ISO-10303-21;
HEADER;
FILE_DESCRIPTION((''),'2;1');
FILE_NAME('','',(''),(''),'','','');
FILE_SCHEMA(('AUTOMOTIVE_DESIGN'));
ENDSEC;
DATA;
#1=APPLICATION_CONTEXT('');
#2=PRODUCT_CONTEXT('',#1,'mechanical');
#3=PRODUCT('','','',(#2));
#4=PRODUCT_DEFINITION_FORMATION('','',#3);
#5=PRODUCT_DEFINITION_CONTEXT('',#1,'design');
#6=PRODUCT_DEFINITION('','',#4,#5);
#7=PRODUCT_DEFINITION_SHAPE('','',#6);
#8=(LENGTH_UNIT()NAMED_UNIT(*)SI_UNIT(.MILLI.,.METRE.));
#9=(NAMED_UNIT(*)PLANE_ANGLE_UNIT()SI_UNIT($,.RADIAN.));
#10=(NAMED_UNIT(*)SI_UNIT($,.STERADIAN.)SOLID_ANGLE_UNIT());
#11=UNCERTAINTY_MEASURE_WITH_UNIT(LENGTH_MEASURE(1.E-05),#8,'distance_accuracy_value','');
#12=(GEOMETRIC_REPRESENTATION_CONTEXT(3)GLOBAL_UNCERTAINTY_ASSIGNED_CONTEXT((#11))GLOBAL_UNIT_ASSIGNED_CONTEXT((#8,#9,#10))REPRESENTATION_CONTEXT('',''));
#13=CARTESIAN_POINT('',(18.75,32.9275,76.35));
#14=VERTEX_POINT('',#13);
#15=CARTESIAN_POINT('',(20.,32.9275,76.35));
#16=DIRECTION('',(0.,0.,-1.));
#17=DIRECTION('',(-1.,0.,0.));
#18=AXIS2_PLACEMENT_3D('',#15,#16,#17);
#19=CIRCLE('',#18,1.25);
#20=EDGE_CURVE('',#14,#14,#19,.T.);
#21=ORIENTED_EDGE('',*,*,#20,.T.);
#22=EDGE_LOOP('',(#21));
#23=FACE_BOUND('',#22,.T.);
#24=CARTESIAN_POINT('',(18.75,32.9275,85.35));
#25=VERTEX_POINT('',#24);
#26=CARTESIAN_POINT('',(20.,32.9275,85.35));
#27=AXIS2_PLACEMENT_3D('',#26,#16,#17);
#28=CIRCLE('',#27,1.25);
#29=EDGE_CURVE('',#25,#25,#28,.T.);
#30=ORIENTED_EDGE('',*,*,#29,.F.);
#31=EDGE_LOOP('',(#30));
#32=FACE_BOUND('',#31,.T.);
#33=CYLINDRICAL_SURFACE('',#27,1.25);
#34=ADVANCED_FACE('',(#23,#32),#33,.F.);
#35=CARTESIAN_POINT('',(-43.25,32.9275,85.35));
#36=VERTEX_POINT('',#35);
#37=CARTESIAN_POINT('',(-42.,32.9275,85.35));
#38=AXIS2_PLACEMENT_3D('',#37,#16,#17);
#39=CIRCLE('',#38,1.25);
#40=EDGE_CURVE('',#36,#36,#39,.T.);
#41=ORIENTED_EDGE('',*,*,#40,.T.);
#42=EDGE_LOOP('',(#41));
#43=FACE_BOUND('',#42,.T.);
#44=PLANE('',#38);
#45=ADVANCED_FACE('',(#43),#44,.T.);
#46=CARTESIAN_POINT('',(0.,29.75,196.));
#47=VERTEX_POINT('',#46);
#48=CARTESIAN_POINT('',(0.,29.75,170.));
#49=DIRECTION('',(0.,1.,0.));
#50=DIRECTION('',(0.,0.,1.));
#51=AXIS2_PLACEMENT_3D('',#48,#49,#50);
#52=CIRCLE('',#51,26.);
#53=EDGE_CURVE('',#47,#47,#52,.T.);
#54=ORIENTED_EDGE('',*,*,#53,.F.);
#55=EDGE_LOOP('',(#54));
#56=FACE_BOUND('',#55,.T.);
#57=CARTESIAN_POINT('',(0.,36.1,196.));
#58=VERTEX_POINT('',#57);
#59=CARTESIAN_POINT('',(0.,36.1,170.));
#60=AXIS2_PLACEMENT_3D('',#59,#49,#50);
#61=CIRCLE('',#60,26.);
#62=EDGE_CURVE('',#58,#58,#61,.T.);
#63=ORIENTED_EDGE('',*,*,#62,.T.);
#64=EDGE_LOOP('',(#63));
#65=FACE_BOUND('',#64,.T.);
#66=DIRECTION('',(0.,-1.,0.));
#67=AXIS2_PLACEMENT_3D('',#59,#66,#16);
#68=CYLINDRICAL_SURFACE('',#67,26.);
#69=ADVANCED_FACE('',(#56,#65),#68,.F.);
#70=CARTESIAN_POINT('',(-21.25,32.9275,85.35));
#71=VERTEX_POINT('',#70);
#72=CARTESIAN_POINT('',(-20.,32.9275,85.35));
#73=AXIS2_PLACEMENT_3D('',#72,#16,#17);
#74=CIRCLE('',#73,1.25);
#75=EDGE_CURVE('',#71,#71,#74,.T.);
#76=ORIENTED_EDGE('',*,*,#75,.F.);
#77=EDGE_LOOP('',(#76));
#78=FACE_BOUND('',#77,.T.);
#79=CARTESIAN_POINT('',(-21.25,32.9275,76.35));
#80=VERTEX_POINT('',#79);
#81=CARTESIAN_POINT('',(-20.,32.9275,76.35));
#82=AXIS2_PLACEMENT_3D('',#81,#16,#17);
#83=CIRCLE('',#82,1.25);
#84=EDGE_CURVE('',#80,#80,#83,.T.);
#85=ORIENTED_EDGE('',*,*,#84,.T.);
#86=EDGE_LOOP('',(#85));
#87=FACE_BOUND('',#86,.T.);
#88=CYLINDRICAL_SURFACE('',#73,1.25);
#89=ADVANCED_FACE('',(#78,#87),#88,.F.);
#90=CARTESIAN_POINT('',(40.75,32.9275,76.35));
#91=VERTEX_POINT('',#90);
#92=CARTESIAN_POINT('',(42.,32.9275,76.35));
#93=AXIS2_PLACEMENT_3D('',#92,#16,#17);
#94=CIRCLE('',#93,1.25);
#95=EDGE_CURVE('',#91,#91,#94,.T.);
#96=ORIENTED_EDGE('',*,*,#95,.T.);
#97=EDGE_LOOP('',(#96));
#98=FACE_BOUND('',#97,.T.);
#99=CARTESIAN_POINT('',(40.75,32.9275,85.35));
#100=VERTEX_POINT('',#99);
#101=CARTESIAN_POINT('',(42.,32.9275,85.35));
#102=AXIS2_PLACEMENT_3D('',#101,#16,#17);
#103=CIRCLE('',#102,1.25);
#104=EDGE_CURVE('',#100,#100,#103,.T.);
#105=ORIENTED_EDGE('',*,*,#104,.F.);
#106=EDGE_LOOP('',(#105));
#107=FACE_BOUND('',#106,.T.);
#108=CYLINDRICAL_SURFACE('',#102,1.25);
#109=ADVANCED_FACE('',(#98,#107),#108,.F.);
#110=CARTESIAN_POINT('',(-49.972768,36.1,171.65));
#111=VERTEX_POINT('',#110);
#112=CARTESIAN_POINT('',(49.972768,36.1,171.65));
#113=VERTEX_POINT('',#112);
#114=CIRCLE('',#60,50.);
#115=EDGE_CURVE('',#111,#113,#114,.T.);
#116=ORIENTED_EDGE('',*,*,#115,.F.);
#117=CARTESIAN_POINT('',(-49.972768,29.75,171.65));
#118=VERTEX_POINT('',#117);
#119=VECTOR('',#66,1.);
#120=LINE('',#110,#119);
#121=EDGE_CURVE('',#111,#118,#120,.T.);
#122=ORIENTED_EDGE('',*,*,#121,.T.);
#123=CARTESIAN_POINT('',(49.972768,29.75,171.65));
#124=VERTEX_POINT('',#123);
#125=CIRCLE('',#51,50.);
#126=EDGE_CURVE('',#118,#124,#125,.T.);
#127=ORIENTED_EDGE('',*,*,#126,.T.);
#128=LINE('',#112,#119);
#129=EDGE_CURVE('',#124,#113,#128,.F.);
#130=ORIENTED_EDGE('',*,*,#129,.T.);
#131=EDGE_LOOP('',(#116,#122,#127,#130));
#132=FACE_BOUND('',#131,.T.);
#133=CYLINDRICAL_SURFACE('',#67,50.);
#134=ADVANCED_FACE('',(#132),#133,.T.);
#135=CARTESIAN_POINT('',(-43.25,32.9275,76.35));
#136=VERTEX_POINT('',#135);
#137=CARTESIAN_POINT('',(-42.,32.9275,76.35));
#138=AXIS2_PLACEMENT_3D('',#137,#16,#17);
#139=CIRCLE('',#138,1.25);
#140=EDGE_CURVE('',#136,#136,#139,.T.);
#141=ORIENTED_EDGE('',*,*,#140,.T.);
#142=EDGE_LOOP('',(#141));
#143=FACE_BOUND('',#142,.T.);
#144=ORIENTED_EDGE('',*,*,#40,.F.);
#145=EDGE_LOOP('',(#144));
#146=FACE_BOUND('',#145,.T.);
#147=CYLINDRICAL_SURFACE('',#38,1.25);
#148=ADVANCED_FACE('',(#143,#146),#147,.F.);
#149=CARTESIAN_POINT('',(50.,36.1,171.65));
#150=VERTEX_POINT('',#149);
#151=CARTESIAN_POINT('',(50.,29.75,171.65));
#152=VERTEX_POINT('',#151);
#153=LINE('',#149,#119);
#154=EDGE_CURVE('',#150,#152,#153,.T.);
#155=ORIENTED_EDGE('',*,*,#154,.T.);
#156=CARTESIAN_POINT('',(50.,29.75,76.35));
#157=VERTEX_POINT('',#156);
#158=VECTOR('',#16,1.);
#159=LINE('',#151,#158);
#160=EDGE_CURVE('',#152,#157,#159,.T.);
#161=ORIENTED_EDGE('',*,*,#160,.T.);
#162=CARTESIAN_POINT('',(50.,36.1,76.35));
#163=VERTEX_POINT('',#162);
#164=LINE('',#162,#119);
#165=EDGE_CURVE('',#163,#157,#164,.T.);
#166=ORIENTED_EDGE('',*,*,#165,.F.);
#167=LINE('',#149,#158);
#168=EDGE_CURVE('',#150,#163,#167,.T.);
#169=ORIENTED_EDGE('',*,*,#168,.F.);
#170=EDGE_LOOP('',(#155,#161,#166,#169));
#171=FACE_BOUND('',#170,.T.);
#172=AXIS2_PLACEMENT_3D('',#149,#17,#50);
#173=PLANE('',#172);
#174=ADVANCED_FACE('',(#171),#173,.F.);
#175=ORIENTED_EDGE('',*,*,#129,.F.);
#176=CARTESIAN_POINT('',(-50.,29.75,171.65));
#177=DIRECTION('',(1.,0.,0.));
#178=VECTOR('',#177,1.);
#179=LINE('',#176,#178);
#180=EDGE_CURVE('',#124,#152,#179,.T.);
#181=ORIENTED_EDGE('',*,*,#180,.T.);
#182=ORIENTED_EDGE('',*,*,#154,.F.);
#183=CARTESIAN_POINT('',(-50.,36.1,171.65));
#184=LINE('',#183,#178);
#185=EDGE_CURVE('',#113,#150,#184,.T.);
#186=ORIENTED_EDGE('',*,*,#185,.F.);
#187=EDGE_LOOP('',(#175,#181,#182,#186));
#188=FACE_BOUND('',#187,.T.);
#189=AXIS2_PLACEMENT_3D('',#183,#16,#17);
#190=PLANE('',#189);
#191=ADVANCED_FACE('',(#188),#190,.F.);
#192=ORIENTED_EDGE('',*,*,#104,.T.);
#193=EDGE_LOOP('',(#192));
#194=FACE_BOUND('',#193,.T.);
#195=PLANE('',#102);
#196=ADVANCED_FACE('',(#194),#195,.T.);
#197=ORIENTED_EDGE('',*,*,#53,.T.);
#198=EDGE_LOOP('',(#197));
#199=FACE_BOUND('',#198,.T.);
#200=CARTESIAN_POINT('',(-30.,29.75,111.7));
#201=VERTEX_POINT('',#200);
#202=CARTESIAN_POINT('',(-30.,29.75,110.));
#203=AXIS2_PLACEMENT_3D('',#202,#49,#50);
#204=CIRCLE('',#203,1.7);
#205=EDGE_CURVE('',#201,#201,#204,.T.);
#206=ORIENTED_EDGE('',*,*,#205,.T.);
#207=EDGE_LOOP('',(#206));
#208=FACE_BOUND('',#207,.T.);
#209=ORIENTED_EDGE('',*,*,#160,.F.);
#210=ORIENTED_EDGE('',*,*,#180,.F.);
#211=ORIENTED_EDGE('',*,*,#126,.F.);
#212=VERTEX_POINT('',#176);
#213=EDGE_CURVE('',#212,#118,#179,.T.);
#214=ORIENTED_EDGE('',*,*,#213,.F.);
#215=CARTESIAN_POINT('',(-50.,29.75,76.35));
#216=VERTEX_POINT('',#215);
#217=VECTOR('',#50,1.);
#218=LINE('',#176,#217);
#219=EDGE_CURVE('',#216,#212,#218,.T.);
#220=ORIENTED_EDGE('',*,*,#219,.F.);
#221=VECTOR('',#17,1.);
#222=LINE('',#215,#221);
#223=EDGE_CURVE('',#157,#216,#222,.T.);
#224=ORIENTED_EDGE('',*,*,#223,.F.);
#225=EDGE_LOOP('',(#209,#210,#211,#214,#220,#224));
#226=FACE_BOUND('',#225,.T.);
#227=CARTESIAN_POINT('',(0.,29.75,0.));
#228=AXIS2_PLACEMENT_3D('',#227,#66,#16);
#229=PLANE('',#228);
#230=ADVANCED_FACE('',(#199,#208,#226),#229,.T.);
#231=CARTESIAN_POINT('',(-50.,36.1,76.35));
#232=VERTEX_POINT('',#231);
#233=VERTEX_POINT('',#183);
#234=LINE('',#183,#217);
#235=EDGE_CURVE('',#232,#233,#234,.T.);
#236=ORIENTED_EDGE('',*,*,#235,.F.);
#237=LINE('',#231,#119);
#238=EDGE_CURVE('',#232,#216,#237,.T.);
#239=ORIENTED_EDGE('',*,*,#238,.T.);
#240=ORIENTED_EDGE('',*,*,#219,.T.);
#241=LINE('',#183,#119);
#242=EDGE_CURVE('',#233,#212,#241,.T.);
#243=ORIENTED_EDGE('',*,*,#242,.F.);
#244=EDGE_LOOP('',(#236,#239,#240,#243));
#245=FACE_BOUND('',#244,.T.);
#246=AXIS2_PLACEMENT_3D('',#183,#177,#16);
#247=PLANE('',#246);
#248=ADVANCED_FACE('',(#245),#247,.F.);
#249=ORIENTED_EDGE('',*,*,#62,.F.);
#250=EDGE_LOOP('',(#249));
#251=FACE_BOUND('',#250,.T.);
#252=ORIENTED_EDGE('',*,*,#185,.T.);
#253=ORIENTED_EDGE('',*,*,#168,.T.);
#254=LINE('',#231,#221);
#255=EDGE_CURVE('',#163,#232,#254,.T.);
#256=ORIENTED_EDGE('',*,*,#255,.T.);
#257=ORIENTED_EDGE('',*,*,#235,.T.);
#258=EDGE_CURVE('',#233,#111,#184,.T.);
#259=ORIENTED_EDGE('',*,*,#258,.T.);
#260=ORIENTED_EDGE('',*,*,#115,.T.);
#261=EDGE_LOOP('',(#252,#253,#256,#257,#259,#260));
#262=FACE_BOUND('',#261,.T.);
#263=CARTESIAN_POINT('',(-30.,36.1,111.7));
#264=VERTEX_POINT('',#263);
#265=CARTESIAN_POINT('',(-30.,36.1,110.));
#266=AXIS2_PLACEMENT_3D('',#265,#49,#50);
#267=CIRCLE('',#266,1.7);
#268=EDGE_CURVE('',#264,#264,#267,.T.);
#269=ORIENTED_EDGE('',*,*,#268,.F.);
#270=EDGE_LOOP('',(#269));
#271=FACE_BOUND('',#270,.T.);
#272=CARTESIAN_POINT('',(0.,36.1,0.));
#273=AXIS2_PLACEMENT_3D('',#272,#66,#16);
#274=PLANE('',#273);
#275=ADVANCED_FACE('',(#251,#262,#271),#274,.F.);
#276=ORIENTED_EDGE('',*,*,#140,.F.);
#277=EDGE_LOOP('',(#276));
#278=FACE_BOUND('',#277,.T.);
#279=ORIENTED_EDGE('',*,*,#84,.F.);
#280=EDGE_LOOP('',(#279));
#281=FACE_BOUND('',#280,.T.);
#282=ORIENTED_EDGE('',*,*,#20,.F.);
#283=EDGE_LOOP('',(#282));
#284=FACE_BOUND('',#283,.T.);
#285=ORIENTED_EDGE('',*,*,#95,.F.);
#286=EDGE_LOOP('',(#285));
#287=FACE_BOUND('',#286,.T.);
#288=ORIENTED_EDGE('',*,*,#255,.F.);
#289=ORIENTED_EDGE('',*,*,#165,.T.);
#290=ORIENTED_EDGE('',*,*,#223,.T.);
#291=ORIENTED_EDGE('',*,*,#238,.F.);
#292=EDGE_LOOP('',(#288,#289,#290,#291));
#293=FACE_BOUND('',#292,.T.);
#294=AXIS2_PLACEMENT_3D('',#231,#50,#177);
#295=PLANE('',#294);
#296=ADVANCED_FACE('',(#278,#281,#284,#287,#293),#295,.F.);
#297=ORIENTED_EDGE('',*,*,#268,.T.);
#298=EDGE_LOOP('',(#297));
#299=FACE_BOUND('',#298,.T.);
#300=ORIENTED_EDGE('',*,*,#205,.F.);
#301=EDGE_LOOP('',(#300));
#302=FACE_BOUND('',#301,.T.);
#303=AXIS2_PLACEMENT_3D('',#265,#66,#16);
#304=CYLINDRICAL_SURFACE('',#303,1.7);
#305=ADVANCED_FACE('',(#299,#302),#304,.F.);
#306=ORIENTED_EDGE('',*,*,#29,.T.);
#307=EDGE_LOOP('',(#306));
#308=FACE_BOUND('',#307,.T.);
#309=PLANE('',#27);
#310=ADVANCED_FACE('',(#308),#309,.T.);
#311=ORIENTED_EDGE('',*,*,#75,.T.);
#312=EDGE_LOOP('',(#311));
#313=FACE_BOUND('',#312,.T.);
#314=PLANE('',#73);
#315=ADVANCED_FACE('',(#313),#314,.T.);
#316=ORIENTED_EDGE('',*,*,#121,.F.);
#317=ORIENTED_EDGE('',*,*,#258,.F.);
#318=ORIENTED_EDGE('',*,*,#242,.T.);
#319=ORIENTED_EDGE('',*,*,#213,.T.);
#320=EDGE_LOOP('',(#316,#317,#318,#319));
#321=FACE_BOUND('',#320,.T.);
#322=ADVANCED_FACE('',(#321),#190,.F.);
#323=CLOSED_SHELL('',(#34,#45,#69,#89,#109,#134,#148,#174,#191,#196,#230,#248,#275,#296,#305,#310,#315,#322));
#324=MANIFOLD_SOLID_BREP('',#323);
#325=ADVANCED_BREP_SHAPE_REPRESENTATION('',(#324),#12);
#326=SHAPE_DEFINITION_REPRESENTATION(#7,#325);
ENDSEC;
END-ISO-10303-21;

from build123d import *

# Parameters (mm, degrees)
PARED_START                = 29.75
SK_PARED_W                 = 100
SK_PARED_H                 = 95.3
PARED_DEPTH                = 6.35
CABEZA_START               = 29.75
SK_CABEZA_R                = 50
CABEZA_DEPTH               = 6.35
PASO_CUBO_J2_START         = 29.75
SK_PASO_CUBO_J2_R          = 26
PASO_CUBO_J2_DEPTH         = 6.35
PASANTE_M3_CINCHO_START    = 29.75
SK_PASANTE_M3_CINCHO_R     = 1.7
PASANTE_M3_CINCHO_DEPTH    = 6.35
SK_ROSCA_M3_DESDE_ABAJO_R  = 1.25
ROSCA_M3_DESDE_ABAJO_DEPTH = 9


with BuildPart() as part:
    # Sk_Pared → Pared (new body)
    with BuildSketch(Plane(origin=(0, 0, 0), x_dir=(1, 0, 0), z_dir=(0, 1, 0)).offset(PARED_START)):
        with Locations((0, -124)):
            Rectangle(SK_PARED_W, SK_PARED_H)
    extrude(amount=PARED_DEPTH)

    # Sk_Cabeza → Cabeza (add)
    with BuildSketch(Plane(origin=(0, 0, 0), x_dir=(1, 0, 0), z_dir=(0, 1, 0)).offset(CABEZA_START)):
        with Locations((0, -170)):
            Circle(SK_CABEZA_R)
    extrude(amount=CABEZA_DEPTH)

    # Sk_Paso_cubo_J2 → Paso_cubo_J2 (cut)
    with BuildSketch(Plane(origin=(0, 0, 0), x_dir=(1, 0, 0), z_dir=(0, 1, 0)).offset(PASO_CUBO_J2_START)):
        with Locations(Location((0, -170, 0), (0, 0, 270))):
            Circle(SK_PASO_CUBO_J2_R)
    extrude(amount=PASO_CUBO_J2_DEPTH, mode=Mode.SUBTRACT)

    # Sk_Pasante_M3_cincho → Pasante_M3_cincho (cut)
    with BuildSketch(Plane(origin=(0, 0, 0), x_dir=(1, 0, 0), z_dir=(0, 1, 0)).offset(PASANTE_M3_CINCHO_START)):
        with Locations(Location((-30, -110, 0), (0, 0, 270))):
            Circle(SK_PASANTE_M3_CINCHO_R)
    extrude(amount=PASANTE_M3_CINCHO_DEPTH, mode=Mode.SUBTRACT)

    # Sk_Rosca_M3_desde_abajo → Rosca_M3_desde_abajo (cut)
    with BuildSketch(Plane(origin=(0, 0, 76.35), x_dir=(-1, 0, 0), z_dir=(0, 0, -1))):
        with Locations((42, 32.9275)):
            Circle(SK_ROSCA_M3_DESDE_ABAJO_R)
        with Locations((20, 32.9275)):
            Circle(SK_ROSCA_M3_DESDE_ABAJO_R)
        with Locations((-20, 32.9275)):
            Circle(SK_ROSCA_M3_DESDE_ABAJO_R)
        with Locations((-42, 32.9275)):
            Circle(SK_ROSCA_M3_DESDE_ABAJO_R)
    extrude(amount=-ROSCA_M3_DESDE_ABAJO_DEPTH, mode=Mode.SUBTRACT)


solid = part.part
